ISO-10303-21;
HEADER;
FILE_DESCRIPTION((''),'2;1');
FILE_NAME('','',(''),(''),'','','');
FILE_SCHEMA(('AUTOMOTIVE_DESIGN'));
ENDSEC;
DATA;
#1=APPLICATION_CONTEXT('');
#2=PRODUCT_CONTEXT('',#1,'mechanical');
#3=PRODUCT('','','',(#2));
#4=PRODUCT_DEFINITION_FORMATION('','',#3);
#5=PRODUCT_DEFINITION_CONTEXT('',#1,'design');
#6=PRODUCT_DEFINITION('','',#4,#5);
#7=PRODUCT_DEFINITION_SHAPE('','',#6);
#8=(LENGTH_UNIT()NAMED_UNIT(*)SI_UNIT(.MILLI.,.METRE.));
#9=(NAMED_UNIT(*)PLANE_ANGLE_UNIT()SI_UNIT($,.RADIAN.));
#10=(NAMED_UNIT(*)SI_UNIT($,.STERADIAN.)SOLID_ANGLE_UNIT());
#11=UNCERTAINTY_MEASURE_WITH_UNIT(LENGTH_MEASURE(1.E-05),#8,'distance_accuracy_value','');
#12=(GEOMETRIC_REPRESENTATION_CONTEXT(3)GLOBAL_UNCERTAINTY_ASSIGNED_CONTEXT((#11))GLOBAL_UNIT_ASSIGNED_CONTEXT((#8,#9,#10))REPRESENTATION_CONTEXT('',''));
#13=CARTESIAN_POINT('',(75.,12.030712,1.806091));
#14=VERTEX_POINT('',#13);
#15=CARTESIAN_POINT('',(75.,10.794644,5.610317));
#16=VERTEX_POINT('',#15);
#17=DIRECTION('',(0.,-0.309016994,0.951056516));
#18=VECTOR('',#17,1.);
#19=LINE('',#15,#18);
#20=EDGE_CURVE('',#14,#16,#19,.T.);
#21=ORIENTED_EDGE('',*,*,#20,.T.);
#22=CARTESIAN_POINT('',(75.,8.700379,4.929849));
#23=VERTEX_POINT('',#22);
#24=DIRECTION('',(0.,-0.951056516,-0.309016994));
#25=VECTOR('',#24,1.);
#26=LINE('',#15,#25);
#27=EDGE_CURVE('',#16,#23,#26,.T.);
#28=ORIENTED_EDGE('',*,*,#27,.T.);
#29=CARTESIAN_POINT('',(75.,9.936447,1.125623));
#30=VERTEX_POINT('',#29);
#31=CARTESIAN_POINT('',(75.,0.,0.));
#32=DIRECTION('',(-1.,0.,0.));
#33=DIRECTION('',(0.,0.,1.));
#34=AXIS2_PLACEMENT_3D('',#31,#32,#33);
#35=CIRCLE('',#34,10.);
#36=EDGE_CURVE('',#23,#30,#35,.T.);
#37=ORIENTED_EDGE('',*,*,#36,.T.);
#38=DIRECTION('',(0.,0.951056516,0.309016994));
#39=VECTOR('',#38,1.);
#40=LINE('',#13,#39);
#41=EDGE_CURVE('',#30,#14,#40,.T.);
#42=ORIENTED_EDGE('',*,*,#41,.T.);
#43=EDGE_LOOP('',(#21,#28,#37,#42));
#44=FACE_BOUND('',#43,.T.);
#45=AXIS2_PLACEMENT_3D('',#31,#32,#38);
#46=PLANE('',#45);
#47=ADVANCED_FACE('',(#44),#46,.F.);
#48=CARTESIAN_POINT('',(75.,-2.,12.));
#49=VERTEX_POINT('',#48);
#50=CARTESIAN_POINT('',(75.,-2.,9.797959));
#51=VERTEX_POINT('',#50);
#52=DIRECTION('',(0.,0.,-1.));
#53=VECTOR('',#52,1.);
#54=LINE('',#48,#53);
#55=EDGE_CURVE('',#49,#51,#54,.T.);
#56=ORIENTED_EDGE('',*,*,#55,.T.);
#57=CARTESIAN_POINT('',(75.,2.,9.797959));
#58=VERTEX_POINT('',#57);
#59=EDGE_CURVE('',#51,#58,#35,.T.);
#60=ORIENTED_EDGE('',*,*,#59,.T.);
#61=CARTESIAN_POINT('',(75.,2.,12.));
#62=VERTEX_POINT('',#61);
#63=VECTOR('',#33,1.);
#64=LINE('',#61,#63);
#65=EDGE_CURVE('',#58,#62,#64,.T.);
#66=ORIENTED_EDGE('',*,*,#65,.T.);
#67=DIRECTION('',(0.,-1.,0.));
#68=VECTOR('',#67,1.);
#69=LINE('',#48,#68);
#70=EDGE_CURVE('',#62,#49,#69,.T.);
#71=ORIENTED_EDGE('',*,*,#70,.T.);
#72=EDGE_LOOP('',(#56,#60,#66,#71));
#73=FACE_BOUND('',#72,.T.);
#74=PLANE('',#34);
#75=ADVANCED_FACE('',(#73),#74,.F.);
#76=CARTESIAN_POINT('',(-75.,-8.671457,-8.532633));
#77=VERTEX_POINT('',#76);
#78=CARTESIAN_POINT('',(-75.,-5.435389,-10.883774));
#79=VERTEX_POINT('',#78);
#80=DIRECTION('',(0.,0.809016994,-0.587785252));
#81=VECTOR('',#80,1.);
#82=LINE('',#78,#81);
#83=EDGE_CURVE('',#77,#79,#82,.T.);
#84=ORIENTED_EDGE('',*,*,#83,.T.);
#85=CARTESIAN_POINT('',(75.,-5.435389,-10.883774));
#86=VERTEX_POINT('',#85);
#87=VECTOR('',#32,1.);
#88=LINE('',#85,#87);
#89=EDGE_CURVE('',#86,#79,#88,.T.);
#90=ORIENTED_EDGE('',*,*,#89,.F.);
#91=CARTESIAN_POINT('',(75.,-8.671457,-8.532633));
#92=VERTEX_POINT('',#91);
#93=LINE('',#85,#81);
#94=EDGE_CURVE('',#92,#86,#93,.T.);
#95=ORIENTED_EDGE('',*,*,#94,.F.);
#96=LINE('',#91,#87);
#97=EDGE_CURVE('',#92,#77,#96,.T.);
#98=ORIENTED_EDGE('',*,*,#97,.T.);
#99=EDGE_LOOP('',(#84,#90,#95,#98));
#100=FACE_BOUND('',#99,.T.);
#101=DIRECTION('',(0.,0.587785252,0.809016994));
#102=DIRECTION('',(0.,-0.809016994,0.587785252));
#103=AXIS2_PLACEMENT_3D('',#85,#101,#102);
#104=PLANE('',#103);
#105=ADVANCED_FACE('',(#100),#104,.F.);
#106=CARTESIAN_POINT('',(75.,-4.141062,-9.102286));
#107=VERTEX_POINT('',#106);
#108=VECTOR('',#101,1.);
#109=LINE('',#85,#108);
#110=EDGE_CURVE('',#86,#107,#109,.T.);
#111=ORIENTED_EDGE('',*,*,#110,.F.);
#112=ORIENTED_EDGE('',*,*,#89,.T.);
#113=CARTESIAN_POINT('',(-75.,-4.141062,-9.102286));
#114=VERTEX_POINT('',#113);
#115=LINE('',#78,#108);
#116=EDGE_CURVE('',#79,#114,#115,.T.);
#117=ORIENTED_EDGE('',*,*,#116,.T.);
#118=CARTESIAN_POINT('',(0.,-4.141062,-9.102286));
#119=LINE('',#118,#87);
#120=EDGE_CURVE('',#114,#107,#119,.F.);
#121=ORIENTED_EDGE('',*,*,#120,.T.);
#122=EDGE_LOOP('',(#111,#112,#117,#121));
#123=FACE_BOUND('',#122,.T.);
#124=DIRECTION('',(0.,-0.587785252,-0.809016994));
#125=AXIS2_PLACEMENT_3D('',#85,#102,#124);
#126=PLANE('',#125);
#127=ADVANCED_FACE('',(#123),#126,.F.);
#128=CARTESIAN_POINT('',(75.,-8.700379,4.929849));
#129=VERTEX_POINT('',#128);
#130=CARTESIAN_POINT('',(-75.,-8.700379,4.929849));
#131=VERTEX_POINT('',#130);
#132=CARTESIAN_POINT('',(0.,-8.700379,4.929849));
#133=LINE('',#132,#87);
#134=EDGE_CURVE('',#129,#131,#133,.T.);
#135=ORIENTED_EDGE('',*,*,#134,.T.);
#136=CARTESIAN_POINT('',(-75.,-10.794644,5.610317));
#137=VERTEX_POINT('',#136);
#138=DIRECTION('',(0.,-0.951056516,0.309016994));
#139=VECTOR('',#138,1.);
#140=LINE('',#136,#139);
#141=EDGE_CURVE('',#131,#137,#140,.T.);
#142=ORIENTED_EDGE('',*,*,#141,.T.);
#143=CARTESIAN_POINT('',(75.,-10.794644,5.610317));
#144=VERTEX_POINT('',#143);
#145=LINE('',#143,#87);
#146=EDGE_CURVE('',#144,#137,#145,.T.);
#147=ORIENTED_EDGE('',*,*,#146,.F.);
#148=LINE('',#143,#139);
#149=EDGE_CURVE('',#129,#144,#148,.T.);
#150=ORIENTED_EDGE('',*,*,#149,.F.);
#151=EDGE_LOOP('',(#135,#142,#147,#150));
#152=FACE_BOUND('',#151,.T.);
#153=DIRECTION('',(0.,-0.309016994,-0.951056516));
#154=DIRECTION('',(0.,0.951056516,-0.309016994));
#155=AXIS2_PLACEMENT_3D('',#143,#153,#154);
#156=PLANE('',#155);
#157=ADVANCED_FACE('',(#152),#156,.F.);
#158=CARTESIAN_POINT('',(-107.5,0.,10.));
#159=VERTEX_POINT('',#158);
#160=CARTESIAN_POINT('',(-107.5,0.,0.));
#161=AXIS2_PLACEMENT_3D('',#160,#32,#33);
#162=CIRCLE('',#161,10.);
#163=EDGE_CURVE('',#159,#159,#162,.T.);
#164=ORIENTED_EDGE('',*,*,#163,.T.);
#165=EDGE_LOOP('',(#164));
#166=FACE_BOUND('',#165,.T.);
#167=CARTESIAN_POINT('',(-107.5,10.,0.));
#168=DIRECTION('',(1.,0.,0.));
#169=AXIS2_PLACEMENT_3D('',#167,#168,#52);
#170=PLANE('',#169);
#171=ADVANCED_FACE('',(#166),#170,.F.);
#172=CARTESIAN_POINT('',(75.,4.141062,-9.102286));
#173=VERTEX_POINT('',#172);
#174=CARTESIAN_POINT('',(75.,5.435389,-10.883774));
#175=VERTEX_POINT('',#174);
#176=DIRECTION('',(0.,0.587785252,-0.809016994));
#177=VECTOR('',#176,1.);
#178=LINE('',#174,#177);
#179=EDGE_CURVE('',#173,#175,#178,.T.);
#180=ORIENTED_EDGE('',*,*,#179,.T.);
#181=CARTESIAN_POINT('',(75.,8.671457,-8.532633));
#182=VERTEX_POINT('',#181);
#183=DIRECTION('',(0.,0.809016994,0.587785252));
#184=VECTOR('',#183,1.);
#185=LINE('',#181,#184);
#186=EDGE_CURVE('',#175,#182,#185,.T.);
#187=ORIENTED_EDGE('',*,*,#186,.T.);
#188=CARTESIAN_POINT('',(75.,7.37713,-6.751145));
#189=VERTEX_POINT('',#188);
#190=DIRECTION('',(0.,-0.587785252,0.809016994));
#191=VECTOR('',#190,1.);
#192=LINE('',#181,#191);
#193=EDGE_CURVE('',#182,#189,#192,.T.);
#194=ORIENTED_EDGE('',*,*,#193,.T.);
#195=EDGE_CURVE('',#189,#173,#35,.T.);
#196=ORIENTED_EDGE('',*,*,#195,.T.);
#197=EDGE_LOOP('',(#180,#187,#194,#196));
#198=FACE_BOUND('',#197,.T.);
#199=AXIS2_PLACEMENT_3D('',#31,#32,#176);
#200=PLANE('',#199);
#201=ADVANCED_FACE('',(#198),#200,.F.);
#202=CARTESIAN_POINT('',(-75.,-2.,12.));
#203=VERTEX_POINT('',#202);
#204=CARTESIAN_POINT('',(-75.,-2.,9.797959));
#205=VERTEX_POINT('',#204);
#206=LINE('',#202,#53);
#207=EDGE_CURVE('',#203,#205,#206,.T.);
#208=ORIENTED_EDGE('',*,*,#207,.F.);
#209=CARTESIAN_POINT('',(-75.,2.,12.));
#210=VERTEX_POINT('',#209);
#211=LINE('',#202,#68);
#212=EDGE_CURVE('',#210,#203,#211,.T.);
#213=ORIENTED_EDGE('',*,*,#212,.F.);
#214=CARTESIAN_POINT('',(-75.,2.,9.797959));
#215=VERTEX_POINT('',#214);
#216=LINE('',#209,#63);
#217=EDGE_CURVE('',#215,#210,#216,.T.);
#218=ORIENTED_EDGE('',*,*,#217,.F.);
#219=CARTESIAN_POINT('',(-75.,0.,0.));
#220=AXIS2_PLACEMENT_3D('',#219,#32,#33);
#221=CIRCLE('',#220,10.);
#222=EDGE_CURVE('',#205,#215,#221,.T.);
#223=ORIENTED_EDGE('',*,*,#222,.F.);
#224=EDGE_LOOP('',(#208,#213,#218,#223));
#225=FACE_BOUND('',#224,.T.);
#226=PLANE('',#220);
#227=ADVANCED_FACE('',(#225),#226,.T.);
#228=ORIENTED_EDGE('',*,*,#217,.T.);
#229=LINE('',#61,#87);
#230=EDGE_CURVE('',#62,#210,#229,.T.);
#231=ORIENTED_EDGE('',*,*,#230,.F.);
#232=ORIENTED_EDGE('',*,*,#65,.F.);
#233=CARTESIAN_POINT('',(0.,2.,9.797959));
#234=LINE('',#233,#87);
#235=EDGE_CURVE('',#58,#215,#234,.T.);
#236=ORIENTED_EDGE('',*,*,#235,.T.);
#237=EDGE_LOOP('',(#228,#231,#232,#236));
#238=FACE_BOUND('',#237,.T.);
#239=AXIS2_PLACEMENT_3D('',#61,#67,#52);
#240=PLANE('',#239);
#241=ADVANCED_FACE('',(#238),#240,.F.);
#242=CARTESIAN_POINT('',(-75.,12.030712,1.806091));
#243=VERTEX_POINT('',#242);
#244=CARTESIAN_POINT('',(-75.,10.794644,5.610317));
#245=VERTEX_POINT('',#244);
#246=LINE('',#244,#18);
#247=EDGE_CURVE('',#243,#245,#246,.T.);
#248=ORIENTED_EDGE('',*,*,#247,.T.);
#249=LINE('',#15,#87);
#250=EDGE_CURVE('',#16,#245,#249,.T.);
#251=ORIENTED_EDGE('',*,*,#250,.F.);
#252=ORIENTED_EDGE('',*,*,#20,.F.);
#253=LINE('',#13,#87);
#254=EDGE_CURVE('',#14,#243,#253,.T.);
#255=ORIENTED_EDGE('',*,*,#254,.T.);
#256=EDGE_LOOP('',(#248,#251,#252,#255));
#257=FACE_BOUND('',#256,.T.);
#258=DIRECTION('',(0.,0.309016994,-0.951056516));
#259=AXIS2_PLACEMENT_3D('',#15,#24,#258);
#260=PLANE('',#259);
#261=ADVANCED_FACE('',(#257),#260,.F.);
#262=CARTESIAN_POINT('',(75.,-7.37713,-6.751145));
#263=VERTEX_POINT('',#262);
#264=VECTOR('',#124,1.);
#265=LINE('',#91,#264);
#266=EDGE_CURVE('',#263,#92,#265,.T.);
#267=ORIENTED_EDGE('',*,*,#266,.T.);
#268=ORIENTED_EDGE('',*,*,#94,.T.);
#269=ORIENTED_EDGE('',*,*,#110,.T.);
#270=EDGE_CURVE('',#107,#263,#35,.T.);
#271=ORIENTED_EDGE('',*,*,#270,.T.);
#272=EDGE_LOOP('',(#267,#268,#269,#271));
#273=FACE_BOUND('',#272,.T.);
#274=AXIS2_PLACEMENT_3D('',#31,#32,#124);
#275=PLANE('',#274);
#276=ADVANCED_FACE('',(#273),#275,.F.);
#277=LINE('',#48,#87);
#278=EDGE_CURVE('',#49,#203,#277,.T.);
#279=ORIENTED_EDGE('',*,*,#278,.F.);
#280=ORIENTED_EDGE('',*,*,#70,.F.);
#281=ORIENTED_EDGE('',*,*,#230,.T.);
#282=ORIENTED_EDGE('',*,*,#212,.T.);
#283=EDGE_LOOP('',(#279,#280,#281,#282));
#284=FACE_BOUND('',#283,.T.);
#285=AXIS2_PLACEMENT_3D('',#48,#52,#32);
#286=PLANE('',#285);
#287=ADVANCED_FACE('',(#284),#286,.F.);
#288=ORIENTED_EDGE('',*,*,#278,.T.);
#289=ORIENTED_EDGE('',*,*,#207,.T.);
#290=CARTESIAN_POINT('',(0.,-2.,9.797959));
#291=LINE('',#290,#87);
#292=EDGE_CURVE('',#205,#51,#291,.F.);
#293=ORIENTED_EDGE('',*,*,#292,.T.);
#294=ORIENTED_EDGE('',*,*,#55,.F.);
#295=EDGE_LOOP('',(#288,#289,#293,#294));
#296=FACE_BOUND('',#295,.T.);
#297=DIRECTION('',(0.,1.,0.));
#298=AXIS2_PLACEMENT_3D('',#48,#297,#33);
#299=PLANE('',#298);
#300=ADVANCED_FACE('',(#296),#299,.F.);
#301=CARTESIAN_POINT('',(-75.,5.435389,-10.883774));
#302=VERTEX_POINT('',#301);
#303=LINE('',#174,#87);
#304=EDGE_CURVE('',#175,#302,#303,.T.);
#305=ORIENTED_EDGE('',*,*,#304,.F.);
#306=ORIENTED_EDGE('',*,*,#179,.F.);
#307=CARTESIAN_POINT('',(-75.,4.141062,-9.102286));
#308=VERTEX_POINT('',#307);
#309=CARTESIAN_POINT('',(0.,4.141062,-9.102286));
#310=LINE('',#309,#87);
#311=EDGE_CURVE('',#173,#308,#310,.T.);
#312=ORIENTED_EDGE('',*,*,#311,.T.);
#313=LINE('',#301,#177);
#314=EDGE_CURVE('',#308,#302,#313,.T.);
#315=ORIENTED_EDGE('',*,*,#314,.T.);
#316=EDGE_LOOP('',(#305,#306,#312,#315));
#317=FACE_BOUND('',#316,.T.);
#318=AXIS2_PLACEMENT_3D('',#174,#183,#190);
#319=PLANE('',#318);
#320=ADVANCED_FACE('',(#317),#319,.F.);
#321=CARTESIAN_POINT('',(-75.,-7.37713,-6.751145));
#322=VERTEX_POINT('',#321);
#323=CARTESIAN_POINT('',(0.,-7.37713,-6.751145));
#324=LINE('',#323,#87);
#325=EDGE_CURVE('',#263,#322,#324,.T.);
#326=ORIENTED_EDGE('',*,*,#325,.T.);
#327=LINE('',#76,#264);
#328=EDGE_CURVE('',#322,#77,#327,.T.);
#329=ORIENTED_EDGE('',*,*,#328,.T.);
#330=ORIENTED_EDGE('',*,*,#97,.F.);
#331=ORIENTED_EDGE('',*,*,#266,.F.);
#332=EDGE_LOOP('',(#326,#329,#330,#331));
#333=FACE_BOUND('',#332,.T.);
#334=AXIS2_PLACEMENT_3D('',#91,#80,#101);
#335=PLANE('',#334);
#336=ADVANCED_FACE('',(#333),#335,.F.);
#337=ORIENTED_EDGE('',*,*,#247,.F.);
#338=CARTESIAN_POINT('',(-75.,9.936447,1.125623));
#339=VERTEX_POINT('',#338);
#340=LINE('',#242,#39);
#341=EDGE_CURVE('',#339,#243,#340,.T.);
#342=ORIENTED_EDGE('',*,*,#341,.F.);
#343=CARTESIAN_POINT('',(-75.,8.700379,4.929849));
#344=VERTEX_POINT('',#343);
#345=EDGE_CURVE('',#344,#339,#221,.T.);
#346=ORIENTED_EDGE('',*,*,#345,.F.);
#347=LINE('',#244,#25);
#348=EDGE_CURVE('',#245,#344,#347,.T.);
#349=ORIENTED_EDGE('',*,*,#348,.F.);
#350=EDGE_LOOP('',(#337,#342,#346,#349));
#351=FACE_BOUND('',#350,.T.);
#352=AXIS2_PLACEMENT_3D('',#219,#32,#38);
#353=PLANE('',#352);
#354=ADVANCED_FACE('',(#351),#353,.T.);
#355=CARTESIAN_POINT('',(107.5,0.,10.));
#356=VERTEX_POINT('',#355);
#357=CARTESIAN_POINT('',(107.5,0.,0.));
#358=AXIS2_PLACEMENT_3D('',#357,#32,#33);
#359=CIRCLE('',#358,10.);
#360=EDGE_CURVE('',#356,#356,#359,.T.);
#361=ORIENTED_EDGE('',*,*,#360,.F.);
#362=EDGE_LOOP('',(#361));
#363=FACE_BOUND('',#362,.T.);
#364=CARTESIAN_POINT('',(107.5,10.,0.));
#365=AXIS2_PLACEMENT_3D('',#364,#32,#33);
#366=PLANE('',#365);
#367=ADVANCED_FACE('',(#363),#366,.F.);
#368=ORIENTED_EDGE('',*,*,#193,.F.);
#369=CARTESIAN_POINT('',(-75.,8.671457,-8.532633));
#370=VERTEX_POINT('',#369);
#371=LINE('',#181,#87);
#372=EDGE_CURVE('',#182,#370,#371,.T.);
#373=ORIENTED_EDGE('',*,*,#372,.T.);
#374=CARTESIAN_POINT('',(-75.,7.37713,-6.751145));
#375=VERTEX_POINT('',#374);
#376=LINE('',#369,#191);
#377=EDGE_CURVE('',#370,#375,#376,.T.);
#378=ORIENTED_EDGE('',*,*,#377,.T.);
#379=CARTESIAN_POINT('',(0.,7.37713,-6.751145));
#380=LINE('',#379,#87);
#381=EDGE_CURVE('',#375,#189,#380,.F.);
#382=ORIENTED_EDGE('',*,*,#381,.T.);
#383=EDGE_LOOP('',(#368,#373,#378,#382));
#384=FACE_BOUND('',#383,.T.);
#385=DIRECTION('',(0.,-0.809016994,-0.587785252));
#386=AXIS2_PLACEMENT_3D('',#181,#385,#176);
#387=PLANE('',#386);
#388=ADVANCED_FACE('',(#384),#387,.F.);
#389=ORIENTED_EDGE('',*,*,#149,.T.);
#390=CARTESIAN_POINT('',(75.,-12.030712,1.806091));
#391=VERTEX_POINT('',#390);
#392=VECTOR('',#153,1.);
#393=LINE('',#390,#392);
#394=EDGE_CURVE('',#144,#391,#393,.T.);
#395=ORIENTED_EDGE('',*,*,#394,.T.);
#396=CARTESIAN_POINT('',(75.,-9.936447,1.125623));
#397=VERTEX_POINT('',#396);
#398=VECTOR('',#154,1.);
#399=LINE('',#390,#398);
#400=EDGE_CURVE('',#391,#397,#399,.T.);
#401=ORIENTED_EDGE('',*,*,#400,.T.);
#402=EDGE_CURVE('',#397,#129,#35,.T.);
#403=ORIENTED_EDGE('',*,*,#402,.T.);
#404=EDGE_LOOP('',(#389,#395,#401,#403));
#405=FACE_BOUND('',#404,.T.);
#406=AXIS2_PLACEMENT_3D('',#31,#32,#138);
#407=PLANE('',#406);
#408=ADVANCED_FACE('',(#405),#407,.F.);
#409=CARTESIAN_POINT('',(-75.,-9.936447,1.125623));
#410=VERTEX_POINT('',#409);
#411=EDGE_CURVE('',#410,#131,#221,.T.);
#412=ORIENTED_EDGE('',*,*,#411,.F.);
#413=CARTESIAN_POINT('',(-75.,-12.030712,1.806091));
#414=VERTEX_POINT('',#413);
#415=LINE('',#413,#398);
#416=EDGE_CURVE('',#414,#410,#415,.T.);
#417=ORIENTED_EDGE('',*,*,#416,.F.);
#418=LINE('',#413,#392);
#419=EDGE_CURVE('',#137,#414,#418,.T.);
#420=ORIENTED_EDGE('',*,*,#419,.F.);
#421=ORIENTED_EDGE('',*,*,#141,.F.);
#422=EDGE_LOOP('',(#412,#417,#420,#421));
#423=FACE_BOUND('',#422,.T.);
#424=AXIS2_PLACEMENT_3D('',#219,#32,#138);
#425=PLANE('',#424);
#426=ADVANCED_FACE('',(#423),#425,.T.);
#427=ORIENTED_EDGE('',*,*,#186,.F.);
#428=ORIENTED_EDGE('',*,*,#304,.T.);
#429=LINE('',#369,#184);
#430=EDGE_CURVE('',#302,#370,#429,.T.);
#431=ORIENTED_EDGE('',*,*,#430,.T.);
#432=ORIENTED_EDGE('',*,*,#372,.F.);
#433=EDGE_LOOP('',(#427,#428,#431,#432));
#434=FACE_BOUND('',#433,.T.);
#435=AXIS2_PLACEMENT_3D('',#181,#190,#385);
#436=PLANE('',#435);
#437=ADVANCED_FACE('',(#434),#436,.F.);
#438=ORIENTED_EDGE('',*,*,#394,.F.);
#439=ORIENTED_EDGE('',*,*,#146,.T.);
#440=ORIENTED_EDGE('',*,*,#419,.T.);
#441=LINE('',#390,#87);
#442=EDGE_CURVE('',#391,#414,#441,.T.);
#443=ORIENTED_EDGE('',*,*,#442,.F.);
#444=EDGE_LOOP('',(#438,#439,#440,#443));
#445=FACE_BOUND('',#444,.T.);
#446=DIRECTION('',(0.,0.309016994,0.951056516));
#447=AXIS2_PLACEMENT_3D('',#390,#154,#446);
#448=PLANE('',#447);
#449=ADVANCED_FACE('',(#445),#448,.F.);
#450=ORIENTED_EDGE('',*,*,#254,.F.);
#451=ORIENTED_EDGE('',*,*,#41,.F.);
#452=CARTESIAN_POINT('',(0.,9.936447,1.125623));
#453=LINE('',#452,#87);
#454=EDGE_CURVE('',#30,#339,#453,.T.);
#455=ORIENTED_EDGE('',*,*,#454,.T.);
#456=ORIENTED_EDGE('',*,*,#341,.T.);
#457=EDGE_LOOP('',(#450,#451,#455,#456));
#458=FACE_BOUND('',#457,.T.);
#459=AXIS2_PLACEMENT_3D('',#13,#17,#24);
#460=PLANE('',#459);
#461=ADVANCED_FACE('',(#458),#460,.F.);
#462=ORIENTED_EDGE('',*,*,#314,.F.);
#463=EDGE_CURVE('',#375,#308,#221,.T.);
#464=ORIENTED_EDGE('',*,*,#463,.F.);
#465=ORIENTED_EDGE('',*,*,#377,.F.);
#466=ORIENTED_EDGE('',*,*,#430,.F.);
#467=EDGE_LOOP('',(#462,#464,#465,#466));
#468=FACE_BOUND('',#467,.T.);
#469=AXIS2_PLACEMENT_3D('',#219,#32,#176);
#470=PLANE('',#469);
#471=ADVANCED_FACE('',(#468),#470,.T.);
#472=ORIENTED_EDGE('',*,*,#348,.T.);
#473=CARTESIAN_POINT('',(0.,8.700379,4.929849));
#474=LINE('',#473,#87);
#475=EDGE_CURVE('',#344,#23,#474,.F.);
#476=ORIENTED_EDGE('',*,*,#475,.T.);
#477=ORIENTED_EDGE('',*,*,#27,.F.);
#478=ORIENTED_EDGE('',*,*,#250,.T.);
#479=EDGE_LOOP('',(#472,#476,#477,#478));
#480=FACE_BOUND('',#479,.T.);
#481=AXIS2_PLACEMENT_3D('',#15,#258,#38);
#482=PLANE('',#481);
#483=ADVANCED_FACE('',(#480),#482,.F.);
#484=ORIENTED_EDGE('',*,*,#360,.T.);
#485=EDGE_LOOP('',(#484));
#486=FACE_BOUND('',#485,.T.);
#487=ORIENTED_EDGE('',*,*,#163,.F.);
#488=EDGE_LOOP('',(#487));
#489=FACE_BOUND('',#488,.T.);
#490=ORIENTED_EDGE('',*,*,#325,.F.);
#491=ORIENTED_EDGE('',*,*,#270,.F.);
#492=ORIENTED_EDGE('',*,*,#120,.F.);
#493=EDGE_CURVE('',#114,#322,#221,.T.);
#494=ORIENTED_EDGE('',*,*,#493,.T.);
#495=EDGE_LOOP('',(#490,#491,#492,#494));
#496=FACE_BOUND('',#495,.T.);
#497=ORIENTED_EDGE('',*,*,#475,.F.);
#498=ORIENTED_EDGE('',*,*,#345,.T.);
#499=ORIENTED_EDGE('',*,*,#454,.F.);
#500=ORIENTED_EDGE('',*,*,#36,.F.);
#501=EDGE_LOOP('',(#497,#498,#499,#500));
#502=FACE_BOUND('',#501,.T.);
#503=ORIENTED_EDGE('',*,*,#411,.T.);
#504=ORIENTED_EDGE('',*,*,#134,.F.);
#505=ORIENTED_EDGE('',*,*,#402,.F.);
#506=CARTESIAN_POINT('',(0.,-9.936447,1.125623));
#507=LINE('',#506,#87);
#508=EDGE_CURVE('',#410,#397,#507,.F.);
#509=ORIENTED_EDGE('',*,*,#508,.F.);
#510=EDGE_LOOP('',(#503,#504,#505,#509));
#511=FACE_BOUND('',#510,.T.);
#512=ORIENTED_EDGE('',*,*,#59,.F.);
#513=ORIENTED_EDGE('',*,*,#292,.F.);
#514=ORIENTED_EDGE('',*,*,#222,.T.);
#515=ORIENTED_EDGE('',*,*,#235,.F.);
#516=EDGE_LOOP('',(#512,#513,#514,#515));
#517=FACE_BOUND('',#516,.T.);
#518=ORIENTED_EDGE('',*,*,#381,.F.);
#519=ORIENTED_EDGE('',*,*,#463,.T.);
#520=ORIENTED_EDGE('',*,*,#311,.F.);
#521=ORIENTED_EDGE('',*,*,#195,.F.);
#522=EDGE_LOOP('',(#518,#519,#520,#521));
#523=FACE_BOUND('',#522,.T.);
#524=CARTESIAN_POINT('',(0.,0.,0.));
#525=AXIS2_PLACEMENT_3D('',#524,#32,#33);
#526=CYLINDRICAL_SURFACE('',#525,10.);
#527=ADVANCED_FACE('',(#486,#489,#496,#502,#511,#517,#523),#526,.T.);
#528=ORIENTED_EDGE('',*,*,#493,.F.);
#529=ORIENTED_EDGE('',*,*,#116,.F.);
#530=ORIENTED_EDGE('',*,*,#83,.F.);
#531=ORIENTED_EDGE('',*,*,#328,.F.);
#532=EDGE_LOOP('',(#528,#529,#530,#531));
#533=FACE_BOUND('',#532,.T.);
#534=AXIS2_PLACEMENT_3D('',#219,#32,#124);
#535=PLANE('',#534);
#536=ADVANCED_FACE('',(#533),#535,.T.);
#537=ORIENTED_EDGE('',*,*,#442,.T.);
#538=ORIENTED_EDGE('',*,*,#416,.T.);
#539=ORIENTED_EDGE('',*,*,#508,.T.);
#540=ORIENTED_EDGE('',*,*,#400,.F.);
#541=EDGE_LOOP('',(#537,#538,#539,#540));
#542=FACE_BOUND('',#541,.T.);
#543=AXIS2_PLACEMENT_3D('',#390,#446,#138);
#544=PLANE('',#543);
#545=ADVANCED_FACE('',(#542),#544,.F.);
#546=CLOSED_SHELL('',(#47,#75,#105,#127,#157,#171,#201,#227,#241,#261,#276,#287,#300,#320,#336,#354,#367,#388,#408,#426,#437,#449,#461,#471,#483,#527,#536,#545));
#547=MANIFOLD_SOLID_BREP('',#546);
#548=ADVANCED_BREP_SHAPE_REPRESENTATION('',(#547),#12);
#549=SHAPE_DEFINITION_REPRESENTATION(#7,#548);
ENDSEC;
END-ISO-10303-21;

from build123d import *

# Parameters (mm, degrees)
SKETCH1_W           = 215
SKETCH1_H           = 10
SKETCH2_W           = 4
SKETCH2_H           = 4
BOSS_EXTRUDE1_DEPTH = 75
CIRPATTERN1_COUNT   = 5


with BuildPart() as part:
    # Sketch1 → Revolve1 (revolve)
    with BuildSketch(Plane.XY, mode=Mode.PRIVATE) as revolve1_sk:
        with Locations((0, 5)):
            Rectangle(SKETCH1_W, SKETCH1_H)
    revolve(revolve1_sk.sketch.rotate(Axis((0, 0, 0), (1, 0, 0)), 90), axis=Axis((0, 0, 0), (1, 0, 0)))

    # Sketch2 → Boss-Extrude1 (add, symmetric)
    with BuildSketch(Plane(origin=(0, 0, 0), x_dir=(0, 0, -1), z_dir=(1, 0, 0))):
        with Locations((-10, 0)):
            Rectangle(SKETCH2_W, SKETCH2_H)
    boss_extrude1 = extrude(amount=BOSS_EXTRUDE1_DEPTH, both=True)

    # CirPattern1: Boss-Extrude1 ×5 about axis
    cirpattern1_axis = Axis((0, 0, 0), (1, 0, 0))
    for i in range(1, CIRPATTERN1_COUNT):
        add(boss_extrude1.rotate(cirpattern1_axis, i * 360 / CIRPATTERN1_COUNT))


solid = part.part
